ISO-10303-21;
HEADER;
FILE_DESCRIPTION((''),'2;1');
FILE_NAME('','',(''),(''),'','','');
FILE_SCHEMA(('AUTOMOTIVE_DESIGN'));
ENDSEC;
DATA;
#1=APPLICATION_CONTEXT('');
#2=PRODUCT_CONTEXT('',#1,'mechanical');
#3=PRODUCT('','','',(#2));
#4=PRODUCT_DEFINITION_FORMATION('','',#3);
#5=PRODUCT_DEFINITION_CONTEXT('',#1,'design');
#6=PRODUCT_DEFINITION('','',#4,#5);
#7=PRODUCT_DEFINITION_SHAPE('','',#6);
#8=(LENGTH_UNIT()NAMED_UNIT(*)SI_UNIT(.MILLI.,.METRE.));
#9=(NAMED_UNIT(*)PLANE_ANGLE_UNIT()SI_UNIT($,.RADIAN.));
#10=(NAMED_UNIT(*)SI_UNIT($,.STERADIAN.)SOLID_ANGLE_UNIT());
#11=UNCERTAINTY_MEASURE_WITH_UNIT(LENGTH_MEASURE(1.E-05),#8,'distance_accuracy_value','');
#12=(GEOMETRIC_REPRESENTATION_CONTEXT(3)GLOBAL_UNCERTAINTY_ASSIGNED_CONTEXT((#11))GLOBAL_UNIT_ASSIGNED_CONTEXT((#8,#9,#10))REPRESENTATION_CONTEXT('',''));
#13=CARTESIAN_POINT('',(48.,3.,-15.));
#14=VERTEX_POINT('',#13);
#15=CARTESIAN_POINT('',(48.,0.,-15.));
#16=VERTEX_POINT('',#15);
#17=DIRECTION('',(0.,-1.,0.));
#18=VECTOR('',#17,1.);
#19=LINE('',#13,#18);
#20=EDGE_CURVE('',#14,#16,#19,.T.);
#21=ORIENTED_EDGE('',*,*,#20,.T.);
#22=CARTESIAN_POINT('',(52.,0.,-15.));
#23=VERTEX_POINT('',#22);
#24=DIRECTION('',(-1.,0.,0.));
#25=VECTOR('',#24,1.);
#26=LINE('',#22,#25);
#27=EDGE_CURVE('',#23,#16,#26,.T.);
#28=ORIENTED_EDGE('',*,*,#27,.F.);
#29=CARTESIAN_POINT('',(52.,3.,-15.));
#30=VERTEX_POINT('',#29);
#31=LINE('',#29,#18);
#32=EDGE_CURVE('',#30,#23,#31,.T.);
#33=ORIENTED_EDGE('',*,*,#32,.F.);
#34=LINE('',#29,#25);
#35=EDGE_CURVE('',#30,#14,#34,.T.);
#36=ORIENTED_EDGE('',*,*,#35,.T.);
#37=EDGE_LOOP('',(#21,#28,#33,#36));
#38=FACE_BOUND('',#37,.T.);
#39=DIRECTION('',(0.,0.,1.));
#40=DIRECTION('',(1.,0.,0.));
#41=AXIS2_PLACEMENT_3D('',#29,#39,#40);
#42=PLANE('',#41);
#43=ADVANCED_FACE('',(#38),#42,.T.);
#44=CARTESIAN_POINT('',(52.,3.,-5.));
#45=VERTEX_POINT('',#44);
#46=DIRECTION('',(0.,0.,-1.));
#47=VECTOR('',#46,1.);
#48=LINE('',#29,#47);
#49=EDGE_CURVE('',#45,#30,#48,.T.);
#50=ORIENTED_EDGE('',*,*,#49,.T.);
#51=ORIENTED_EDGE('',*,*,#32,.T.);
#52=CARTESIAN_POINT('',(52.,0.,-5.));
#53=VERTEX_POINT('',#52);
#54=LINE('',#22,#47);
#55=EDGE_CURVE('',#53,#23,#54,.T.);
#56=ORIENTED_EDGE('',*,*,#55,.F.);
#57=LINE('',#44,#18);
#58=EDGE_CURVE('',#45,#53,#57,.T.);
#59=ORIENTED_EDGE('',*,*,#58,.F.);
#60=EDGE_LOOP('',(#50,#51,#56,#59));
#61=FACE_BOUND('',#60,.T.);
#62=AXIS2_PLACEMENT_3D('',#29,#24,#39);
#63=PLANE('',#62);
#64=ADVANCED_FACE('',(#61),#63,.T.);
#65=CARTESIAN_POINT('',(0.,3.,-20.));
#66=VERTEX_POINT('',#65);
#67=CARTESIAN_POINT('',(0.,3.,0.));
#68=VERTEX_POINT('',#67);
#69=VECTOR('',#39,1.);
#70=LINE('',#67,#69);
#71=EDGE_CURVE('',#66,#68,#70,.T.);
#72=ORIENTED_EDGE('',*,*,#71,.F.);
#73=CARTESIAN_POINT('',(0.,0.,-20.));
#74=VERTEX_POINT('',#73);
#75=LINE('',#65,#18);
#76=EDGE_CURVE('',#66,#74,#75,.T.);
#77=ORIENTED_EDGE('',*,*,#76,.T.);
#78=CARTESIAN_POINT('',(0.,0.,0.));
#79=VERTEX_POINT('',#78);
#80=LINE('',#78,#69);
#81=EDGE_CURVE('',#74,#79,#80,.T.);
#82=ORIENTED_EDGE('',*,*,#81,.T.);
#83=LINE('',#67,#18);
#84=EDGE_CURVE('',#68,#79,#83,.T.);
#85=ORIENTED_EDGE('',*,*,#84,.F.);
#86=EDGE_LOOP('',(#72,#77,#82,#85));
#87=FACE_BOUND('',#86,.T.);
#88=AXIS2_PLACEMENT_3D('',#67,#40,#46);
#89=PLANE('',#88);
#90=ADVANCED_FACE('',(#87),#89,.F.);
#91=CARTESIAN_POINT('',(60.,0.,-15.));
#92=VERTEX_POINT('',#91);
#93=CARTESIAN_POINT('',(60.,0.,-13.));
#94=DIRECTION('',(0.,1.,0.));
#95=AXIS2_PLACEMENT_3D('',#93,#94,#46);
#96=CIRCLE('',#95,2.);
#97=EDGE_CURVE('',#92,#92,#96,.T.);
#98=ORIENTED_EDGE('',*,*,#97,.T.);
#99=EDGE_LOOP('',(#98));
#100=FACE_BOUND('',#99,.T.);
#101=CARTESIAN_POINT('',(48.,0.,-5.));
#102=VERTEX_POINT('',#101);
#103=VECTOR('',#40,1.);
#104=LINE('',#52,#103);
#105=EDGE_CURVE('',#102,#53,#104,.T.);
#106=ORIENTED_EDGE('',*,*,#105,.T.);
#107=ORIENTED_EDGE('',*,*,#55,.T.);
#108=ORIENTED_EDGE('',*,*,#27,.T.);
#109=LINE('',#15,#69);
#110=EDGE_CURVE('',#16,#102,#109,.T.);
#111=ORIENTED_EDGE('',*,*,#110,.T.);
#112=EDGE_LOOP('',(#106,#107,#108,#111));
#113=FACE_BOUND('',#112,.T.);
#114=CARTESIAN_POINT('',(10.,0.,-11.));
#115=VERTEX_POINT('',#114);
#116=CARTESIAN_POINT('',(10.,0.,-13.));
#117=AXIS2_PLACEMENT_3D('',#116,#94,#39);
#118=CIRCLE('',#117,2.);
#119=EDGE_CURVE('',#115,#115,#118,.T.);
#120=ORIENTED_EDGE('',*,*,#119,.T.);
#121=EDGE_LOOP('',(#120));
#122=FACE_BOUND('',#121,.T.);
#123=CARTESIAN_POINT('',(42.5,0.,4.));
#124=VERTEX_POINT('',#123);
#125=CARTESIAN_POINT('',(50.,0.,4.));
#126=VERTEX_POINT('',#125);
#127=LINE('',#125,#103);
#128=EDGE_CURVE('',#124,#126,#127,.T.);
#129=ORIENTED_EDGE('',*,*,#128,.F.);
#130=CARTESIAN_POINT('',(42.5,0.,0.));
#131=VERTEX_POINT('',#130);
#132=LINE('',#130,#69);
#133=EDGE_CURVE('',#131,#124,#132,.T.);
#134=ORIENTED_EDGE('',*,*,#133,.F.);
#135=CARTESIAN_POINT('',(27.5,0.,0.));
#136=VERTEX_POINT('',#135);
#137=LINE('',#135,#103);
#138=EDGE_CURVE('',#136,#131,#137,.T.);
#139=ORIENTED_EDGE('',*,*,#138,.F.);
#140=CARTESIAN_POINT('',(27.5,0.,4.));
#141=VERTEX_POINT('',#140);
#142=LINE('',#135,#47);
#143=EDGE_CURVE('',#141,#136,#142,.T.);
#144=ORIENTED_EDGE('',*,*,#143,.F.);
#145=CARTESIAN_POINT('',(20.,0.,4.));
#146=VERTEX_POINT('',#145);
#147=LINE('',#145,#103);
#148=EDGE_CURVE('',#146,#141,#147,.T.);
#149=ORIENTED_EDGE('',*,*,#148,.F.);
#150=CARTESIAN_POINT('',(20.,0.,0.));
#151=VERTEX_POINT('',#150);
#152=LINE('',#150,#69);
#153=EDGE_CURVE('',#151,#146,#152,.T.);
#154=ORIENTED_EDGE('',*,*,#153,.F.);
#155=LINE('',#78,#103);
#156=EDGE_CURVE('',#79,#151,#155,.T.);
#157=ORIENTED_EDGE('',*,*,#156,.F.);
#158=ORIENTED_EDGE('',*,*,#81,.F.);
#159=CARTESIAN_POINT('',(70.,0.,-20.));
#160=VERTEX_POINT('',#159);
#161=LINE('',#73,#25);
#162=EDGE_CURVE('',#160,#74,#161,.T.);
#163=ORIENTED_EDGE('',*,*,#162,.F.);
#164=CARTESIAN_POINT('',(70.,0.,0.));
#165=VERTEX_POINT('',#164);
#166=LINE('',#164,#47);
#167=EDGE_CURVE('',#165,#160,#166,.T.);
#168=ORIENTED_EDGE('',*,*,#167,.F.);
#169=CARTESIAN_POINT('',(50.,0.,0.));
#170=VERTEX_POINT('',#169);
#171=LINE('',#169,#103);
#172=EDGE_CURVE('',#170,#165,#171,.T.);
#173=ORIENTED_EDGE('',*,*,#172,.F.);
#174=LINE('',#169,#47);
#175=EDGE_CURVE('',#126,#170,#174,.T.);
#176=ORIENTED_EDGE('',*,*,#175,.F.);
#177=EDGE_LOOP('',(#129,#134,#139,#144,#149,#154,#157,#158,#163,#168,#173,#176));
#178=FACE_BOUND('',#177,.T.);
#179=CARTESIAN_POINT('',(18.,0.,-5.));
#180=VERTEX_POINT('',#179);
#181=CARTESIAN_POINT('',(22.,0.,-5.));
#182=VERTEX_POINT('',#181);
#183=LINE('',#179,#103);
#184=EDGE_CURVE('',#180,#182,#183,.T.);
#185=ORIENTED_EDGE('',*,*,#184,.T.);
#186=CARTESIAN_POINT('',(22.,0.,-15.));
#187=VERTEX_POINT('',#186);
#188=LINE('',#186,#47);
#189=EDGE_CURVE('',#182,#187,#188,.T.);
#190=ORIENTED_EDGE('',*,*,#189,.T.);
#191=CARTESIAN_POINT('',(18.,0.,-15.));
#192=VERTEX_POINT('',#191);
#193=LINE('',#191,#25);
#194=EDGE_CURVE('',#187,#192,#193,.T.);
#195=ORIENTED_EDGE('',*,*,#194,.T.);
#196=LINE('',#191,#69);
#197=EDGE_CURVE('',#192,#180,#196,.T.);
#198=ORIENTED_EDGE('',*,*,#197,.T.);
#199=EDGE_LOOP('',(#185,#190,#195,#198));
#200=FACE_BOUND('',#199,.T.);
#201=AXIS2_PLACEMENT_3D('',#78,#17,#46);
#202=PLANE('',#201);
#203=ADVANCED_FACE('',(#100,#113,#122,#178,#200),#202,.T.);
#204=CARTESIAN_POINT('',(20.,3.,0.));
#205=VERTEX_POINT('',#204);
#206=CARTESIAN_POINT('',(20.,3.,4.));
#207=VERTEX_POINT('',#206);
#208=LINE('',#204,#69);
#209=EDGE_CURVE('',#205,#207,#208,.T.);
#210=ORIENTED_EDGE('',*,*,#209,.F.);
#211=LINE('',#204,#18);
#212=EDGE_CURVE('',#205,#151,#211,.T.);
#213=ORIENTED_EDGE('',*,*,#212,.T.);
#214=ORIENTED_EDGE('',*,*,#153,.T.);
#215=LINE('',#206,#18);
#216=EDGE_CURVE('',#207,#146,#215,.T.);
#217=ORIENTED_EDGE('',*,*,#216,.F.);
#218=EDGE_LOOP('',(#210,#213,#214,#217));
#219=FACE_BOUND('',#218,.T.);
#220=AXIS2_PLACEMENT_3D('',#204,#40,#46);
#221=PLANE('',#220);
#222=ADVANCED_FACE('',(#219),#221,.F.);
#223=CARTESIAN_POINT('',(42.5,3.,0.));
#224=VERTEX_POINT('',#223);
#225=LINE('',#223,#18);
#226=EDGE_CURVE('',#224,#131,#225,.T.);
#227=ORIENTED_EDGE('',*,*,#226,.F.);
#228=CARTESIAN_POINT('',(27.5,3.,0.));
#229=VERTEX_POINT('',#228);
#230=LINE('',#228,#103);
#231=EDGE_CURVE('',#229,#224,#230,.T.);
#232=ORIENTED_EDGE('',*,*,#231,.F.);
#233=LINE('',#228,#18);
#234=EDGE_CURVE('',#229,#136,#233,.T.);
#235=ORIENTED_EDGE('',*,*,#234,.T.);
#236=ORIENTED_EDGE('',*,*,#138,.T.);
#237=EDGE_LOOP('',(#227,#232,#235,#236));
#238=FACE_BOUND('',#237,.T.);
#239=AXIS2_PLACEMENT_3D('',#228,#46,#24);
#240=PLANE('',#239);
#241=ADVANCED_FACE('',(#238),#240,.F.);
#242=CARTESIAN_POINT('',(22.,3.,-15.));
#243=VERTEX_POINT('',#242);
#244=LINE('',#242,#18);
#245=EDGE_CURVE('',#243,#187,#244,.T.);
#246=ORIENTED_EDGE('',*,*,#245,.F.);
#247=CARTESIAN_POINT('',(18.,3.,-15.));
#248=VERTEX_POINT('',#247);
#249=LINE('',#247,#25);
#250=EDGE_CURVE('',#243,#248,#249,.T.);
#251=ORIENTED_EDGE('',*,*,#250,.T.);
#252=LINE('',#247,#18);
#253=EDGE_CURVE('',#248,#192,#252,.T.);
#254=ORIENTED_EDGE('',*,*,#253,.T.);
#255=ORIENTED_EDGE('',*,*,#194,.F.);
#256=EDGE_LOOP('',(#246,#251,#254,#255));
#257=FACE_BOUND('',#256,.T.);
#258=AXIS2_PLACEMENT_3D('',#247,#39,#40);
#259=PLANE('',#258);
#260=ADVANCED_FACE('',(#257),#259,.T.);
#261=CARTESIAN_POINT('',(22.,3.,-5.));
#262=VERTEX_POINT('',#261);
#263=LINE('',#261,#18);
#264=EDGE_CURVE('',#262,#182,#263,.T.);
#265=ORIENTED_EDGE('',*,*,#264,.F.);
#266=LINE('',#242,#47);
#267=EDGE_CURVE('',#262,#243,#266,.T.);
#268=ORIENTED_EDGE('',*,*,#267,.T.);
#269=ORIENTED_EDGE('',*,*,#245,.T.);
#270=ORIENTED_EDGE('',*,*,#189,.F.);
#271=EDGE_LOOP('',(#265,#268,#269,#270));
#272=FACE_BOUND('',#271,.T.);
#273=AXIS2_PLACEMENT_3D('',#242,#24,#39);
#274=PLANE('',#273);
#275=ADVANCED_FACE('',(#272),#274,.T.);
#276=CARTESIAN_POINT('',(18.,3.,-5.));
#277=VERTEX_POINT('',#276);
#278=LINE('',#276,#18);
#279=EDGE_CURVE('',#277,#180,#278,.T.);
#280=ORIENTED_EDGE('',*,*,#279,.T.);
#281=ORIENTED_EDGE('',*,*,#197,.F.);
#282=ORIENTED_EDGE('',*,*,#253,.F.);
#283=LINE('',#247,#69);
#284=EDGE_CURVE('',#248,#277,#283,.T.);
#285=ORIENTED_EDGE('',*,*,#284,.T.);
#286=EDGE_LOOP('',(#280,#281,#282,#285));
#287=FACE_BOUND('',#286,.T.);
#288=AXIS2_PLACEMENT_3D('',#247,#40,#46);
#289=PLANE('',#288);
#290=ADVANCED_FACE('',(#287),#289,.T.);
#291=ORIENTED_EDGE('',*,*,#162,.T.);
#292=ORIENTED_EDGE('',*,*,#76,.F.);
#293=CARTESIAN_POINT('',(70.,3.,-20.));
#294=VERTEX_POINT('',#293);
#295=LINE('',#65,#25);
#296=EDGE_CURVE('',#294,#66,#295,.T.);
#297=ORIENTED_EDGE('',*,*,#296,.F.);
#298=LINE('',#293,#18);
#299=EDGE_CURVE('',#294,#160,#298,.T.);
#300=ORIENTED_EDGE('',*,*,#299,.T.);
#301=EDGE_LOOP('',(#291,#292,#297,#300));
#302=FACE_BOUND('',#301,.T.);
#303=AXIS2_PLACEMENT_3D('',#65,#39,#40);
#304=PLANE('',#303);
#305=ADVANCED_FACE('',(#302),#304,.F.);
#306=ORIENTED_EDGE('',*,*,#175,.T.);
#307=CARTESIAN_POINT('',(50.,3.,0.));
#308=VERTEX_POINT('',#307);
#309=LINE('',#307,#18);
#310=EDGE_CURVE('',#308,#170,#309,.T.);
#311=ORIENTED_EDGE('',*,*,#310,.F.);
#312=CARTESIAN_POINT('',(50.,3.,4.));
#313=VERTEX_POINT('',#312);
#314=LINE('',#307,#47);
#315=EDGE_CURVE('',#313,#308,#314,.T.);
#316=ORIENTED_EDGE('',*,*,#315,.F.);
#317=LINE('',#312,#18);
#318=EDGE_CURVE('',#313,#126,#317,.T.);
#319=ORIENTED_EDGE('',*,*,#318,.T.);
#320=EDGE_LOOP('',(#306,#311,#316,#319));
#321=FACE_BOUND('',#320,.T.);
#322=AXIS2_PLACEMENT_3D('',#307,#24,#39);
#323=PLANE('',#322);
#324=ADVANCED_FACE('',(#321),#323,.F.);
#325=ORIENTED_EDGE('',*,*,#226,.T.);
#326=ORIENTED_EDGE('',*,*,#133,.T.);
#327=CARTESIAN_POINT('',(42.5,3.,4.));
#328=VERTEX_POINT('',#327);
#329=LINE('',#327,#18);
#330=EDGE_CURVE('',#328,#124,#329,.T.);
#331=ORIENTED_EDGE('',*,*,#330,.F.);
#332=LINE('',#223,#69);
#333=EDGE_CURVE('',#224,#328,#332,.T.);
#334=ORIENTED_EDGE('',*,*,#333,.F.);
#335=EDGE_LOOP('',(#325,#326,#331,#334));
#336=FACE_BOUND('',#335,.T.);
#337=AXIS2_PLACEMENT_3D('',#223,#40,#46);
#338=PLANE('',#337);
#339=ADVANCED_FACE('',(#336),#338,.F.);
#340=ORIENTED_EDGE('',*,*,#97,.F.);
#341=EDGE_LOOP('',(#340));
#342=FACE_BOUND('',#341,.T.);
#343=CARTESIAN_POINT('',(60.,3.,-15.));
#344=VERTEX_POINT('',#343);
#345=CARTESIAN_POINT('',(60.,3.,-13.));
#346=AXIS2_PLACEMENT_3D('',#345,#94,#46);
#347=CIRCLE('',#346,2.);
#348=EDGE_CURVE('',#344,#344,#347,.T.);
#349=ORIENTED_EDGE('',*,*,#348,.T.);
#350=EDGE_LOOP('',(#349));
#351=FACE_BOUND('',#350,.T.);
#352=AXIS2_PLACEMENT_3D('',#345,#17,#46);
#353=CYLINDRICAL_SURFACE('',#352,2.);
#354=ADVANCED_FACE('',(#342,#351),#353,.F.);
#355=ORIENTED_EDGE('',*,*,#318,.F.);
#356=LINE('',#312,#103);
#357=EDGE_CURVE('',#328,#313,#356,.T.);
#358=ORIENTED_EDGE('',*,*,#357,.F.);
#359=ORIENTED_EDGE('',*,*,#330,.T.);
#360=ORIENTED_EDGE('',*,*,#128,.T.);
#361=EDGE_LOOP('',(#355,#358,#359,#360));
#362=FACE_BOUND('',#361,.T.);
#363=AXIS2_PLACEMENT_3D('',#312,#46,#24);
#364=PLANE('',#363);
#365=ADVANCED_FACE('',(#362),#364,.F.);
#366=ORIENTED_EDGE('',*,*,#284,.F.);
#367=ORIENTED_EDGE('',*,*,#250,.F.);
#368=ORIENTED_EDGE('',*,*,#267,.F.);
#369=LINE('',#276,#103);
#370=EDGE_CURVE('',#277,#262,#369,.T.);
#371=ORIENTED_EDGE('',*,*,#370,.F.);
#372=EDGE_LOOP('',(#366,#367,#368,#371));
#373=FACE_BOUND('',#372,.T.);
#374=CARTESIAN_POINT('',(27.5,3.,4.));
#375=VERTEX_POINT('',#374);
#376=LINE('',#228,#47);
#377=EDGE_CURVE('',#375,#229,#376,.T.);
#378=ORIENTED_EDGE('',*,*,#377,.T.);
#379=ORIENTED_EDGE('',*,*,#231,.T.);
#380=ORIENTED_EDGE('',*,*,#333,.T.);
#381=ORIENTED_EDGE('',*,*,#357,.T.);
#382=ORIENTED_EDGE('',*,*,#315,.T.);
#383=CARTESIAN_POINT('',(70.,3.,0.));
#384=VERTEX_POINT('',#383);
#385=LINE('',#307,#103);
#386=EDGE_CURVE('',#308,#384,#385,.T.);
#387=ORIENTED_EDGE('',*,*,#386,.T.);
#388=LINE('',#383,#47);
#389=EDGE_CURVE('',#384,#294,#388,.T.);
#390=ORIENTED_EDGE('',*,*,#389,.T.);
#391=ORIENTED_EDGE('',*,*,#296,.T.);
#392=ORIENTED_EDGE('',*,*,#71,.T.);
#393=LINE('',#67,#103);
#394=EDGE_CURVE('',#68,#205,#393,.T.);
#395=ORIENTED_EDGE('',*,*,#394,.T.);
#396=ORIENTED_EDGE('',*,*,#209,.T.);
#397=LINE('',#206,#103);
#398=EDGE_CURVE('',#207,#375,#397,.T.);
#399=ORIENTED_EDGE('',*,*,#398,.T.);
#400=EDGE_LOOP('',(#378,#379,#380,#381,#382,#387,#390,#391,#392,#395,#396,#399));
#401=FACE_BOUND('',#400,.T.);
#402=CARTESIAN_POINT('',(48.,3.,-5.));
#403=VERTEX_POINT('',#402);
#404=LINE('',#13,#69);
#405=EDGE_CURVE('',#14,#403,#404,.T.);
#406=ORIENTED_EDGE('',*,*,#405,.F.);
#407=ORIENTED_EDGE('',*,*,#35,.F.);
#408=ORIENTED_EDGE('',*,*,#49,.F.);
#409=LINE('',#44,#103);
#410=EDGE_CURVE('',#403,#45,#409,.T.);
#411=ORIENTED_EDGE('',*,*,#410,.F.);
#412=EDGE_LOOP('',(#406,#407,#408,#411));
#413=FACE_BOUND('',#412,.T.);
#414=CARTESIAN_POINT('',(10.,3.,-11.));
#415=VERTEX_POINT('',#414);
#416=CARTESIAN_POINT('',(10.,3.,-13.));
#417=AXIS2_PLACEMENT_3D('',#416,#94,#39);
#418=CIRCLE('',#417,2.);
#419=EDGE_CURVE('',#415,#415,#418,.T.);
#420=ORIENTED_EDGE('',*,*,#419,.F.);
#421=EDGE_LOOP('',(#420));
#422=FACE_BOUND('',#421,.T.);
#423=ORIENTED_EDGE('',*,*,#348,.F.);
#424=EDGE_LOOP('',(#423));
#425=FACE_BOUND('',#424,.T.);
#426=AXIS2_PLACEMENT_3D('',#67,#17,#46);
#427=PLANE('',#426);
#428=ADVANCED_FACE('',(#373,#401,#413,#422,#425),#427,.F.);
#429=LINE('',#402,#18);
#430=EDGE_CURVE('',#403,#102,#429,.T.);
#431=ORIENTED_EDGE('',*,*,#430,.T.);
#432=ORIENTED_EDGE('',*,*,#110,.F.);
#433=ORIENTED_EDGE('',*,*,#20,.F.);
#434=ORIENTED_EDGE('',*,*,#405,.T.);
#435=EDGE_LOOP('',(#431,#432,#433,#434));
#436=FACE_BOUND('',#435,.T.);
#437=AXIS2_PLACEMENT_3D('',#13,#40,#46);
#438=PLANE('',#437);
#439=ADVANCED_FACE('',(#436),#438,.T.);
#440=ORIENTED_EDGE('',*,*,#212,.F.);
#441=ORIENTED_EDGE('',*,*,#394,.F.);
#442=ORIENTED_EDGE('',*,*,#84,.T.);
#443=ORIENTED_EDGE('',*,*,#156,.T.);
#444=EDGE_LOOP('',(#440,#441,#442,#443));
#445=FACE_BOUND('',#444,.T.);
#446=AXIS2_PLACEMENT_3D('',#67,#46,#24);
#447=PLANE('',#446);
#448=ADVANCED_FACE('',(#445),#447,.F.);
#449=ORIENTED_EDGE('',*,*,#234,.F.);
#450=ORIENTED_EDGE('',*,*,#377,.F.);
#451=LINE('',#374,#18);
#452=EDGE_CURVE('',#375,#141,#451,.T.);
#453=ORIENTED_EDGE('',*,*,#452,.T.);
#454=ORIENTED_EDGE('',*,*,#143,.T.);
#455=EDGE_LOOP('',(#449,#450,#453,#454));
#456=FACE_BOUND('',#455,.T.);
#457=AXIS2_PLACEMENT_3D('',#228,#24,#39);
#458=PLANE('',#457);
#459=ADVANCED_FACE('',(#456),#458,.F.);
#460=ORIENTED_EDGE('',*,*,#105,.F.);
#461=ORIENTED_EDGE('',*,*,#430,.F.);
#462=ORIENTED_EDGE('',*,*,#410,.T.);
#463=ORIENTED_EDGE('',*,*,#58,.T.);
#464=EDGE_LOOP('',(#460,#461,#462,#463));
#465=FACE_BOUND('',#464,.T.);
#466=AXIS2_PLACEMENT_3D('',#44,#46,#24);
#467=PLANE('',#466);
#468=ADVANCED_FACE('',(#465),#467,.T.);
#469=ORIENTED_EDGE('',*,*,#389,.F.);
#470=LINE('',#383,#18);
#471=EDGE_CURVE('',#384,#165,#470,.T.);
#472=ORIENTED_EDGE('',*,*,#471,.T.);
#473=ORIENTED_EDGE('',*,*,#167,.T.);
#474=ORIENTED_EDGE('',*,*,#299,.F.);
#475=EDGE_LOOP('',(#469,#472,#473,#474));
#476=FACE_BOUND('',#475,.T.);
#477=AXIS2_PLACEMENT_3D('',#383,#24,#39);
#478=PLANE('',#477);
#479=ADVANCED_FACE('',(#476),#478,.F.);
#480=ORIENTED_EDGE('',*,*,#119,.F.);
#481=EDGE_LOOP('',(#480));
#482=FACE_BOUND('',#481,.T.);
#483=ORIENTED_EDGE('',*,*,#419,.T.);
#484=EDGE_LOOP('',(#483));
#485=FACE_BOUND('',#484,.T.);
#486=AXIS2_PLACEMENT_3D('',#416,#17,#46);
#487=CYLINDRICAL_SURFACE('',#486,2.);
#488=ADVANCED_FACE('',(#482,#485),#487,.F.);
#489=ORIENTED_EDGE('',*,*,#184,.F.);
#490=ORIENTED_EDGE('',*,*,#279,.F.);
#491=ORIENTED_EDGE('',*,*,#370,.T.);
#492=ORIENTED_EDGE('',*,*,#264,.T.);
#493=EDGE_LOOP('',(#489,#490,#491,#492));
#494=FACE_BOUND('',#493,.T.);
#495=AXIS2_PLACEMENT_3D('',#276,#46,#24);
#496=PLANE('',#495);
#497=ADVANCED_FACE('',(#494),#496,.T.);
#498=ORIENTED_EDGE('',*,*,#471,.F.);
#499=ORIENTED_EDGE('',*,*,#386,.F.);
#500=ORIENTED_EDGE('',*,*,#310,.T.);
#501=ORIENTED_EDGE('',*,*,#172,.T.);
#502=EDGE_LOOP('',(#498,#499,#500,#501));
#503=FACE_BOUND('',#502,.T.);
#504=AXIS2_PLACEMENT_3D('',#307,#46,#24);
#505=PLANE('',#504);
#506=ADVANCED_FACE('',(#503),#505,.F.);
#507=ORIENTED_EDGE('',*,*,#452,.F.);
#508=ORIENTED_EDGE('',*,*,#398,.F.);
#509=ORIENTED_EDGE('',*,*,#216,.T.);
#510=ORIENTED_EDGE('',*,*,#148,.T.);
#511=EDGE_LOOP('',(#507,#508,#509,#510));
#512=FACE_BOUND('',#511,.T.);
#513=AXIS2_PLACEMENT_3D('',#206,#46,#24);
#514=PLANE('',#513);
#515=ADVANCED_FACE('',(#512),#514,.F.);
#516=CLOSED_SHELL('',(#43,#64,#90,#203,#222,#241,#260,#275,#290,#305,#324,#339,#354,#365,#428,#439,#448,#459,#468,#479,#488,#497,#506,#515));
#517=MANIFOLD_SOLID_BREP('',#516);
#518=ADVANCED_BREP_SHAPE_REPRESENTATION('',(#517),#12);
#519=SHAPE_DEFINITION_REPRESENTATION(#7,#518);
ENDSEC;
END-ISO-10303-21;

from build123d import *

# Parameters (mm, degrees)
SKETCH1_R           = 2
SKETCH1_W           = 4
SKETCH1_H           = 10
BOSS_EXTRUDE1_DEPTH = 3


with BuildPart() as part:
    # Sketch1 → Boss-Extrude1 (new body)
    with BuildSketch(Plane(origin=(0, 0, 0), x_dir=(1, 0, 0), z_dir=(0, 1, 0))):
        Polygon((0, 0), (20, 0), (20, -4), (27.5, -4), (27.5, 0), (42.5, 0), (42.5, -4), (50, -4), (50, 0), (70, 0), (70, 20), (0, 20), align=None)
        with Locations(Location((10, 13, 0), (0, 0, 270))):
            Circle(SKETCH1_R, mode=Mode.SUBTRACT)
        with Locations(Location((60, 13, 0), (0, 0, 90))):
            Circle(SKETCH1_R, mode=Mode.SUBTRACT)
        with Locations((20, 10)):
            Rectangle(SKETCH1_W, SKETCH1_H, mode=Mode.SUBTRACT)
        with Locations((50, 10)):
            Rectangle(SKETCH1_W, SKETCH1_H, mode=Mode.SUBTRACT)
    extrude(amount=BOSS_EXTRUDE1_DEPTH)


solid = part.part
